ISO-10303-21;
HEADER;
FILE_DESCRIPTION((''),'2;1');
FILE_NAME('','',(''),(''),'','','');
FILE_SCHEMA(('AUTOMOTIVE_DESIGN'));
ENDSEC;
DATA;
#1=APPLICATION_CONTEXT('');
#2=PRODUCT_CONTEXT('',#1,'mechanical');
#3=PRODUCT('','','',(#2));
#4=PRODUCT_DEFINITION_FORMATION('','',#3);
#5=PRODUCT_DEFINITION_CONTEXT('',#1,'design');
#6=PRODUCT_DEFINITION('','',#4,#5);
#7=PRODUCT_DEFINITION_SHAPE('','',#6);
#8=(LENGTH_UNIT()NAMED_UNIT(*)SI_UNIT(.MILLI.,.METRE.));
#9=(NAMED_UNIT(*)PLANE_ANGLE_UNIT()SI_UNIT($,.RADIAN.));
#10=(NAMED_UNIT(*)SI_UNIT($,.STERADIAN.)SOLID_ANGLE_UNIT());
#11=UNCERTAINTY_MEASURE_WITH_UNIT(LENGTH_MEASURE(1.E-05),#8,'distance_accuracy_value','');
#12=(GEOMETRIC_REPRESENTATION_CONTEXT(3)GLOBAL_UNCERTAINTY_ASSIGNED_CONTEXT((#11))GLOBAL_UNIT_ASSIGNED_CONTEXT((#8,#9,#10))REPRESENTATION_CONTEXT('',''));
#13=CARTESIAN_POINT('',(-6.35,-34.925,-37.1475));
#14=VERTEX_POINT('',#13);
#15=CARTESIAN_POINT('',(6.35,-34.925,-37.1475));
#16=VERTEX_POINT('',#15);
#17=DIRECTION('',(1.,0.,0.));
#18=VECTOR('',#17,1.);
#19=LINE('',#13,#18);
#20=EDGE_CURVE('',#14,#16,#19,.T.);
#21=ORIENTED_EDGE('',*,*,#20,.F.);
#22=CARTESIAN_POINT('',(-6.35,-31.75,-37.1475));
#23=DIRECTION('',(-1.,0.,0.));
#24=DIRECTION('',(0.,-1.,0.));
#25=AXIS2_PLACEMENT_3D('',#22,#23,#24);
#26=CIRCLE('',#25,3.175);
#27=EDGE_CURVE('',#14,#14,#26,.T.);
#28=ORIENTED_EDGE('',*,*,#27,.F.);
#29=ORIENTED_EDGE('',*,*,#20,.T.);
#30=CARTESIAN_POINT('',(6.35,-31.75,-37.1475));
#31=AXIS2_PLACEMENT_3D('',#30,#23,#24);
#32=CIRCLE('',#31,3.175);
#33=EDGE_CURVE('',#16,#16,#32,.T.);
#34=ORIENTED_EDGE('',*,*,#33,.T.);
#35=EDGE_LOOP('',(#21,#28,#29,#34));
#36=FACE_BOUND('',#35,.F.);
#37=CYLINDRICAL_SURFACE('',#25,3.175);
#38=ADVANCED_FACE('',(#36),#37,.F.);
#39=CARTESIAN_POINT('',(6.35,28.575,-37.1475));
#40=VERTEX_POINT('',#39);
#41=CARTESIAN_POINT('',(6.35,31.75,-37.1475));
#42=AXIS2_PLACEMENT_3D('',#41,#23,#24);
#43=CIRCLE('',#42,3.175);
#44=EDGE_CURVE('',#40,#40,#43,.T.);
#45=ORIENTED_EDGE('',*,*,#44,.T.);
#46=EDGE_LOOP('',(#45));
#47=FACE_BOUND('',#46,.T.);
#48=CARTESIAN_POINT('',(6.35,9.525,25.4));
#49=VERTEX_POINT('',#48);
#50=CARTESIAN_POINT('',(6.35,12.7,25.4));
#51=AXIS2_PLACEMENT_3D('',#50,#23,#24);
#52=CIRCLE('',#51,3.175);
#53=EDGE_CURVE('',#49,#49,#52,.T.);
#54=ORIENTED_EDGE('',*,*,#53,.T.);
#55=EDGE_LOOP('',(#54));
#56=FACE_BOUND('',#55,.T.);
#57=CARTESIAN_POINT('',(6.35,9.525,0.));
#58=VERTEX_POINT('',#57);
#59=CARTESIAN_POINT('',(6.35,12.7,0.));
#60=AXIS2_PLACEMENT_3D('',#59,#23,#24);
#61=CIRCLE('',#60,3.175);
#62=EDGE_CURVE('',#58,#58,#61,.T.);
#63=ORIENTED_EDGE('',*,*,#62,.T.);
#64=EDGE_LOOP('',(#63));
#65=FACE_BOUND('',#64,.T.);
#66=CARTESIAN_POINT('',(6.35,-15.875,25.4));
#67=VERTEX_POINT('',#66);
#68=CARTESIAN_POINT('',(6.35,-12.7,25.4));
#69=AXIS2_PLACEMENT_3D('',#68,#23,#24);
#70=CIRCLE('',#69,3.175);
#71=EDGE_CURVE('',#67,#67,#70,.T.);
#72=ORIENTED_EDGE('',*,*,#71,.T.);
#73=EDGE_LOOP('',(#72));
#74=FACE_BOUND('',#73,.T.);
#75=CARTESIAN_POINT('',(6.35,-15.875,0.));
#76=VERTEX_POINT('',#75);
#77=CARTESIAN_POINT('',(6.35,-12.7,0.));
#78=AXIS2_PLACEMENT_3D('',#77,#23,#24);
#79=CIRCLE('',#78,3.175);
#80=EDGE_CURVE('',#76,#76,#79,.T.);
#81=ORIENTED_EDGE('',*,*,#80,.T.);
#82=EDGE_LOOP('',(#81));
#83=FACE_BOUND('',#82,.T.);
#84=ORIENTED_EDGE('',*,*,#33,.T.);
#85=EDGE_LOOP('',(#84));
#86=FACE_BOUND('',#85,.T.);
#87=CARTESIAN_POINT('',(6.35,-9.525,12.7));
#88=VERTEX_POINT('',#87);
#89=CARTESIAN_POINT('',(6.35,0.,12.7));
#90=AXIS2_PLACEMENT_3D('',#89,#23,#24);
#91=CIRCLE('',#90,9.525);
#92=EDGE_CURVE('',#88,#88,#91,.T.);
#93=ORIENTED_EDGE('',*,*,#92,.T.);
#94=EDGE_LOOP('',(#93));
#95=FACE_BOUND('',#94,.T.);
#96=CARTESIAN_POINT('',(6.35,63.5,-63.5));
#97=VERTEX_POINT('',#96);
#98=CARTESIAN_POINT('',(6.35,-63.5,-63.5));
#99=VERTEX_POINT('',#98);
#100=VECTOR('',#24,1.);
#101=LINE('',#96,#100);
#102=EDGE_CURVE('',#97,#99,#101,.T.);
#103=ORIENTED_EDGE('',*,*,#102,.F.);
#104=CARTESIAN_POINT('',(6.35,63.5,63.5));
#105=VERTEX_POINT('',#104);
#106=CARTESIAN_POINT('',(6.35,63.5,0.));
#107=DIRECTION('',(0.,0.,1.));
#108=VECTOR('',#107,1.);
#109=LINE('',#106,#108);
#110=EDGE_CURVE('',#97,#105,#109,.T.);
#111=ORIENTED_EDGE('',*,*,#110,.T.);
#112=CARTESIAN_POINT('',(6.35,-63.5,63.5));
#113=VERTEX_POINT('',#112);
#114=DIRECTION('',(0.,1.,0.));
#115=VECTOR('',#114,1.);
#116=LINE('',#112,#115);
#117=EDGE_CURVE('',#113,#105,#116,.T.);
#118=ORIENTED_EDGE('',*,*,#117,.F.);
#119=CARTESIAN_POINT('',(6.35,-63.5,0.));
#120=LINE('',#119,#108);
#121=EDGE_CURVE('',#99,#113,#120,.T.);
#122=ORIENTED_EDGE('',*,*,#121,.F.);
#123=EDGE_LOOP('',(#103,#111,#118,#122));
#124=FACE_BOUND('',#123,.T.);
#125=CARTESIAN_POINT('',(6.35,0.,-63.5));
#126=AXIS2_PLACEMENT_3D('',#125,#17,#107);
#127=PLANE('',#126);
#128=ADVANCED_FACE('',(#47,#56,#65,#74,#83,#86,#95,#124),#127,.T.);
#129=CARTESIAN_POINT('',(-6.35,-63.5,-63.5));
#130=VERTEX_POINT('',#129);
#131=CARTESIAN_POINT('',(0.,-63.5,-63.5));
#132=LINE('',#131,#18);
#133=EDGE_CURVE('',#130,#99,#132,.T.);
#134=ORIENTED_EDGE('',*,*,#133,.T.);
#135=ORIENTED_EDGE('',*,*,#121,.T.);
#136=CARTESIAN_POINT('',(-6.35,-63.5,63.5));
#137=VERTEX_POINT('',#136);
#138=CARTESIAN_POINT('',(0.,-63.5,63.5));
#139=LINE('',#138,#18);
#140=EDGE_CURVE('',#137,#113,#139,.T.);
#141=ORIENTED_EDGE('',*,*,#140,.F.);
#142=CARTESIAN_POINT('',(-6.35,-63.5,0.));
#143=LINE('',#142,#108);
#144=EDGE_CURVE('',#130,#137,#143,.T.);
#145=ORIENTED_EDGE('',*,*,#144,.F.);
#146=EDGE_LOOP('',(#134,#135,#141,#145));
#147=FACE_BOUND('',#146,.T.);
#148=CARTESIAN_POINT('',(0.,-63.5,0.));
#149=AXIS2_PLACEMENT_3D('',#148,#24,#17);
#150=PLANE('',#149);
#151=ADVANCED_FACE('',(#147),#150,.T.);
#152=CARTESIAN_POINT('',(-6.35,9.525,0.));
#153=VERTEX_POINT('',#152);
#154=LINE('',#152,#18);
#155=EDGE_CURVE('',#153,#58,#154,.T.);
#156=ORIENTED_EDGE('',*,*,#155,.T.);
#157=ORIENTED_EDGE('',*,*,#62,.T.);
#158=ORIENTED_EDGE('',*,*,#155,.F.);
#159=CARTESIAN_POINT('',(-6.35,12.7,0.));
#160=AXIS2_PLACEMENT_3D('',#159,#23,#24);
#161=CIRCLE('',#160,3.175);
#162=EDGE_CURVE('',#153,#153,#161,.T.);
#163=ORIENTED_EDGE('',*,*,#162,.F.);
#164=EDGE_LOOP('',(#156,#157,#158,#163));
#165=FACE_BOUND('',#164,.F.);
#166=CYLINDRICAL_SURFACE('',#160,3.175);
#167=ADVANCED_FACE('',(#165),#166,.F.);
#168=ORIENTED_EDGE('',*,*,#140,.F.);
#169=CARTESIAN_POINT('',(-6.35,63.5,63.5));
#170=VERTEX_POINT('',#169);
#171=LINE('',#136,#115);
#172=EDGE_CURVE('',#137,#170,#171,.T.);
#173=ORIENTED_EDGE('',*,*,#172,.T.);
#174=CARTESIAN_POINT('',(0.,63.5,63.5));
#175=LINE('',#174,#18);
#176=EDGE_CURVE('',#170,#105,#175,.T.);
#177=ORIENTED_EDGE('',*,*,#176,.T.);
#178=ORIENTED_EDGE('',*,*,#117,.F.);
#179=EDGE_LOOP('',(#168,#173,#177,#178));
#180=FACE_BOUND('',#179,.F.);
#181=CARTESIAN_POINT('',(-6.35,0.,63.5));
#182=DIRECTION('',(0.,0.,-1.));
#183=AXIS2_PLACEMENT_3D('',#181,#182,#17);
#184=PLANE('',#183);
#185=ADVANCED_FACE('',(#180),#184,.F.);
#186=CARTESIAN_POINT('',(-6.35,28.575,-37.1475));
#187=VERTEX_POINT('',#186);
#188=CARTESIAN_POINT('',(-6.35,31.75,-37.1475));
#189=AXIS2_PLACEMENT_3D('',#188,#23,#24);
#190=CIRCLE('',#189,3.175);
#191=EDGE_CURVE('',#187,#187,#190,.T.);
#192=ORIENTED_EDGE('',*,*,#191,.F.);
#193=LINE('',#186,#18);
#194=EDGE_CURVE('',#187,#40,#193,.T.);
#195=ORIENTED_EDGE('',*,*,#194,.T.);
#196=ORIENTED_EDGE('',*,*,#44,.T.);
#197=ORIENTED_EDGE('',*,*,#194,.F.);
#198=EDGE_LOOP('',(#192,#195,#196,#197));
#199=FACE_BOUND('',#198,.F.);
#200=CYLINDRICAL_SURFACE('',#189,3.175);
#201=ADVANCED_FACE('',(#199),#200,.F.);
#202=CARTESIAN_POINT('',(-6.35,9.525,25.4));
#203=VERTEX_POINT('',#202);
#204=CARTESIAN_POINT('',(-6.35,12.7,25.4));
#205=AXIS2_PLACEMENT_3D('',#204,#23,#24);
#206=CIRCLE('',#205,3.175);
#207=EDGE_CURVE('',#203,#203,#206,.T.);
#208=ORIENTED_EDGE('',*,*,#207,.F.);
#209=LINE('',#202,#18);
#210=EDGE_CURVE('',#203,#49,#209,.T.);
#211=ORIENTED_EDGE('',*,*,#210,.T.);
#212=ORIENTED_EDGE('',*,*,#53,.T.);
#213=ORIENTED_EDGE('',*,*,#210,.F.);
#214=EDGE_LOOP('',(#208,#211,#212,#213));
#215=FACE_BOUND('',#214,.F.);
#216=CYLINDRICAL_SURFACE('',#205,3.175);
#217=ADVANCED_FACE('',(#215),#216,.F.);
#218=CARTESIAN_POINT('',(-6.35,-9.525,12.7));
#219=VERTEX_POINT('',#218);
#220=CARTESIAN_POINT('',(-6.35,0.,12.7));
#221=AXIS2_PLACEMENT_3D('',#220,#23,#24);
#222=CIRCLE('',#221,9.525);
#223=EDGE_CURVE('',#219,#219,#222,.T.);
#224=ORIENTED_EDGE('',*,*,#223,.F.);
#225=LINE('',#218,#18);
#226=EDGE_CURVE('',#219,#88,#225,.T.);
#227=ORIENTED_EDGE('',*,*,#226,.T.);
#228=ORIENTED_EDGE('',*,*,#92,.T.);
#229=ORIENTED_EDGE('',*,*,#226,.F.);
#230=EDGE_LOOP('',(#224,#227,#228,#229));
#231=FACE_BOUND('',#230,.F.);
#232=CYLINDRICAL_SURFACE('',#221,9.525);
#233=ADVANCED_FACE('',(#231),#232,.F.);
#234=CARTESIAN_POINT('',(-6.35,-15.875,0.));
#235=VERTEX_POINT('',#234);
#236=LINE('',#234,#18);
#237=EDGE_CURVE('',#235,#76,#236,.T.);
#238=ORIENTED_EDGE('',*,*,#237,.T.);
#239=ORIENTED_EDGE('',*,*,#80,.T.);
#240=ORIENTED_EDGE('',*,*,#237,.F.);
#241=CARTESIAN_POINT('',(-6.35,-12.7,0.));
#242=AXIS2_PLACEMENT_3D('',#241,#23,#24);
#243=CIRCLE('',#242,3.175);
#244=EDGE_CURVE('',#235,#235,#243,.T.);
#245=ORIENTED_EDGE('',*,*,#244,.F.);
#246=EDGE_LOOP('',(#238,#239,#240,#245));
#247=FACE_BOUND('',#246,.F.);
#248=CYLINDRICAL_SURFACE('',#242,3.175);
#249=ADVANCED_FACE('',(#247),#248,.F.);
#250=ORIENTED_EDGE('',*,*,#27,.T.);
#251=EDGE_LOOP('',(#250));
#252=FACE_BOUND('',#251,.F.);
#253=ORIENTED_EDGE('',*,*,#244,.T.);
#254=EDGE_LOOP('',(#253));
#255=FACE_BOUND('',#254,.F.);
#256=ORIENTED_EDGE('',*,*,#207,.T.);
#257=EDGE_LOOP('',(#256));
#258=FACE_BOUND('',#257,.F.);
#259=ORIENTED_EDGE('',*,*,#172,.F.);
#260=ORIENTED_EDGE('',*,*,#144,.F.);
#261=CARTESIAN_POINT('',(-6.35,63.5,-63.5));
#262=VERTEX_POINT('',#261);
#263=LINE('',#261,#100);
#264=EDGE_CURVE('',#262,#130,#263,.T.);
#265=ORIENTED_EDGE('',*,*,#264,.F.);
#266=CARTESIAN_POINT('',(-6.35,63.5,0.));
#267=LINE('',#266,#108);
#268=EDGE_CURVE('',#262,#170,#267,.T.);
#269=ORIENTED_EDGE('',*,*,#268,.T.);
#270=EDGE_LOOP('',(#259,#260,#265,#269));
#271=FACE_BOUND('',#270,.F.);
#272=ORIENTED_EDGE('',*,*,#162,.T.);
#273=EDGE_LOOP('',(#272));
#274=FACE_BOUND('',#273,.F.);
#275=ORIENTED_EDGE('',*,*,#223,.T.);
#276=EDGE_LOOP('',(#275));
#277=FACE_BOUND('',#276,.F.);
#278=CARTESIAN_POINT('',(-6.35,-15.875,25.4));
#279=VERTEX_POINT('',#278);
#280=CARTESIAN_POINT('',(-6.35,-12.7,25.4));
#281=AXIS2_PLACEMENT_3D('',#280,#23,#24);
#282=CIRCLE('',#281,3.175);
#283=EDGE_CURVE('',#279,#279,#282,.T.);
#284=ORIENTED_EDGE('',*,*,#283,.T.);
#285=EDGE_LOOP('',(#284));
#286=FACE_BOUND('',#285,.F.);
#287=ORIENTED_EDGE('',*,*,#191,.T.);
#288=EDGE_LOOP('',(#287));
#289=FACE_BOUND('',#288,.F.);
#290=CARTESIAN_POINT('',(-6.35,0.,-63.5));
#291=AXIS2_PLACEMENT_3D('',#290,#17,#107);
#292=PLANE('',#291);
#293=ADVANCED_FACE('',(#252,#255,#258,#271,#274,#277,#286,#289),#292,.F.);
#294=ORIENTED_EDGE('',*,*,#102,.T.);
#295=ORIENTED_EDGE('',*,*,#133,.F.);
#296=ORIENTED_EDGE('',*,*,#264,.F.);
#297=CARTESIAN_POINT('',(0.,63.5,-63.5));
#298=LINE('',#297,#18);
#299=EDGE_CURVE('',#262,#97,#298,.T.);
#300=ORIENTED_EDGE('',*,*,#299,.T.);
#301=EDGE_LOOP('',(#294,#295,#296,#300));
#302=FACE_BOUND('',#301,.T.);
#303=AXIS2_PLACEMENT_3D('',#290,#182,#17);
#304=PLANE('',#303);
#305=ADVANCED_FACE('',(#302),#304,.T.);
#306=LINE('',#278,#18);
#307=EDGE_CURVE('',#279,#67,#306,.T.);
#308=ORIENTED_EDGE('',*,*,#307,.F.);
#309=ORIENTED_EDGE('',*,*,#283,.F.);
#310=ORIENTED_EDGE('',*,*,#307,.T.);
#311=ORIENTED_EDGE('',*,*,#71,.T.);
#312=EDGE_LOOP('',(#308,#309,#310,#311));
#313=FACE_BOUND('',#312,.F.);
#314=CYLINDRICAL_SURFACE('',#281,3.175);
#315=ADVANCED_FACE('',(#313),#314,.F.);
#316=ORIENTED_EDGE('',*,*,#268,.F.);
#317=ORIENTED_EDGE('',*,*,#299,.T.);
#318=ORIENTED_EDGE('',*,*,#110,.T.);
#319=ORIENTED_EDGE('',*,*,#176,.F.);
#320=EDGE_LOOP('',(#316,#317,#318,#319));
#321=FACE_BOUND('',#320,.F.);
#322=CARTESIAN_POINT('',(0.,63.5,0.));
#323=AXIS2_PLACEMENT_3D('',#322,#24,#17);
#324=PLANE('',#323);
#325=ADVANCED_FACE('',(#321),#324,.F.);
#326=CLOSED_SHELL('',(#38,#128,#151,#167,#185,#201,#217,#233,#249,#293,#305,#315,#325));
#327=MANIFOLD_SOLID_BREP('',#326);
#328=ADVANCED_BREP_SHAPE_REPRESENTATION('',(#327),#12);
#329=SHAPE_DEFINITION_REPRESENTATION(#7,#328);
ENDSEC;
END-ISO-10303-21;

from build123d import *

# Parameters (mm, degrees)
F0_W     = 12.7
F0_H     = 127
F1_DEPTH = 63.5
F2_R     = 9.525
F2_R_2   = 3.175
F3_DEPTH = 12.701


with BuildPart() as f1:
    # F0 (on Front) → F1 (new body, symmetric)
    with BuildSketch(Plane.XZ):
        Rectangle(F0_W, F0_H)
    extrude(amount=F1_DEPTH, both=True)

    # F2 (on face) → F3 (cut, through all)
    with BuildSketch(Plane(origin=(-6.35, 0, 0), x_dir=(0, -1, 0), z_dir=(-1, 0, 0))):
        with Locations((0, 12.7)):
            Circle(F2_R)
        with Locations((-12.7, 25.4)):
            Circle(F2_R_2)
        with Locations((-12.7, 0)):
            Circle(F2_R_2)
        with Locations((12.7, 0)):
            Circle(F2_R_2)
        with Locations((12.7, 25.4)):
            Circle(F2_R_2)
        with Locations((-31.75, -37.1475)):
            Circle(F2_R_2)
        with Locations((31.75, -37.1475)):
            Circle(F2_R_2)
    extrude(amount=-F3_DEPTH, mode=Mode.SUBTRACT)


solid = f1.part
